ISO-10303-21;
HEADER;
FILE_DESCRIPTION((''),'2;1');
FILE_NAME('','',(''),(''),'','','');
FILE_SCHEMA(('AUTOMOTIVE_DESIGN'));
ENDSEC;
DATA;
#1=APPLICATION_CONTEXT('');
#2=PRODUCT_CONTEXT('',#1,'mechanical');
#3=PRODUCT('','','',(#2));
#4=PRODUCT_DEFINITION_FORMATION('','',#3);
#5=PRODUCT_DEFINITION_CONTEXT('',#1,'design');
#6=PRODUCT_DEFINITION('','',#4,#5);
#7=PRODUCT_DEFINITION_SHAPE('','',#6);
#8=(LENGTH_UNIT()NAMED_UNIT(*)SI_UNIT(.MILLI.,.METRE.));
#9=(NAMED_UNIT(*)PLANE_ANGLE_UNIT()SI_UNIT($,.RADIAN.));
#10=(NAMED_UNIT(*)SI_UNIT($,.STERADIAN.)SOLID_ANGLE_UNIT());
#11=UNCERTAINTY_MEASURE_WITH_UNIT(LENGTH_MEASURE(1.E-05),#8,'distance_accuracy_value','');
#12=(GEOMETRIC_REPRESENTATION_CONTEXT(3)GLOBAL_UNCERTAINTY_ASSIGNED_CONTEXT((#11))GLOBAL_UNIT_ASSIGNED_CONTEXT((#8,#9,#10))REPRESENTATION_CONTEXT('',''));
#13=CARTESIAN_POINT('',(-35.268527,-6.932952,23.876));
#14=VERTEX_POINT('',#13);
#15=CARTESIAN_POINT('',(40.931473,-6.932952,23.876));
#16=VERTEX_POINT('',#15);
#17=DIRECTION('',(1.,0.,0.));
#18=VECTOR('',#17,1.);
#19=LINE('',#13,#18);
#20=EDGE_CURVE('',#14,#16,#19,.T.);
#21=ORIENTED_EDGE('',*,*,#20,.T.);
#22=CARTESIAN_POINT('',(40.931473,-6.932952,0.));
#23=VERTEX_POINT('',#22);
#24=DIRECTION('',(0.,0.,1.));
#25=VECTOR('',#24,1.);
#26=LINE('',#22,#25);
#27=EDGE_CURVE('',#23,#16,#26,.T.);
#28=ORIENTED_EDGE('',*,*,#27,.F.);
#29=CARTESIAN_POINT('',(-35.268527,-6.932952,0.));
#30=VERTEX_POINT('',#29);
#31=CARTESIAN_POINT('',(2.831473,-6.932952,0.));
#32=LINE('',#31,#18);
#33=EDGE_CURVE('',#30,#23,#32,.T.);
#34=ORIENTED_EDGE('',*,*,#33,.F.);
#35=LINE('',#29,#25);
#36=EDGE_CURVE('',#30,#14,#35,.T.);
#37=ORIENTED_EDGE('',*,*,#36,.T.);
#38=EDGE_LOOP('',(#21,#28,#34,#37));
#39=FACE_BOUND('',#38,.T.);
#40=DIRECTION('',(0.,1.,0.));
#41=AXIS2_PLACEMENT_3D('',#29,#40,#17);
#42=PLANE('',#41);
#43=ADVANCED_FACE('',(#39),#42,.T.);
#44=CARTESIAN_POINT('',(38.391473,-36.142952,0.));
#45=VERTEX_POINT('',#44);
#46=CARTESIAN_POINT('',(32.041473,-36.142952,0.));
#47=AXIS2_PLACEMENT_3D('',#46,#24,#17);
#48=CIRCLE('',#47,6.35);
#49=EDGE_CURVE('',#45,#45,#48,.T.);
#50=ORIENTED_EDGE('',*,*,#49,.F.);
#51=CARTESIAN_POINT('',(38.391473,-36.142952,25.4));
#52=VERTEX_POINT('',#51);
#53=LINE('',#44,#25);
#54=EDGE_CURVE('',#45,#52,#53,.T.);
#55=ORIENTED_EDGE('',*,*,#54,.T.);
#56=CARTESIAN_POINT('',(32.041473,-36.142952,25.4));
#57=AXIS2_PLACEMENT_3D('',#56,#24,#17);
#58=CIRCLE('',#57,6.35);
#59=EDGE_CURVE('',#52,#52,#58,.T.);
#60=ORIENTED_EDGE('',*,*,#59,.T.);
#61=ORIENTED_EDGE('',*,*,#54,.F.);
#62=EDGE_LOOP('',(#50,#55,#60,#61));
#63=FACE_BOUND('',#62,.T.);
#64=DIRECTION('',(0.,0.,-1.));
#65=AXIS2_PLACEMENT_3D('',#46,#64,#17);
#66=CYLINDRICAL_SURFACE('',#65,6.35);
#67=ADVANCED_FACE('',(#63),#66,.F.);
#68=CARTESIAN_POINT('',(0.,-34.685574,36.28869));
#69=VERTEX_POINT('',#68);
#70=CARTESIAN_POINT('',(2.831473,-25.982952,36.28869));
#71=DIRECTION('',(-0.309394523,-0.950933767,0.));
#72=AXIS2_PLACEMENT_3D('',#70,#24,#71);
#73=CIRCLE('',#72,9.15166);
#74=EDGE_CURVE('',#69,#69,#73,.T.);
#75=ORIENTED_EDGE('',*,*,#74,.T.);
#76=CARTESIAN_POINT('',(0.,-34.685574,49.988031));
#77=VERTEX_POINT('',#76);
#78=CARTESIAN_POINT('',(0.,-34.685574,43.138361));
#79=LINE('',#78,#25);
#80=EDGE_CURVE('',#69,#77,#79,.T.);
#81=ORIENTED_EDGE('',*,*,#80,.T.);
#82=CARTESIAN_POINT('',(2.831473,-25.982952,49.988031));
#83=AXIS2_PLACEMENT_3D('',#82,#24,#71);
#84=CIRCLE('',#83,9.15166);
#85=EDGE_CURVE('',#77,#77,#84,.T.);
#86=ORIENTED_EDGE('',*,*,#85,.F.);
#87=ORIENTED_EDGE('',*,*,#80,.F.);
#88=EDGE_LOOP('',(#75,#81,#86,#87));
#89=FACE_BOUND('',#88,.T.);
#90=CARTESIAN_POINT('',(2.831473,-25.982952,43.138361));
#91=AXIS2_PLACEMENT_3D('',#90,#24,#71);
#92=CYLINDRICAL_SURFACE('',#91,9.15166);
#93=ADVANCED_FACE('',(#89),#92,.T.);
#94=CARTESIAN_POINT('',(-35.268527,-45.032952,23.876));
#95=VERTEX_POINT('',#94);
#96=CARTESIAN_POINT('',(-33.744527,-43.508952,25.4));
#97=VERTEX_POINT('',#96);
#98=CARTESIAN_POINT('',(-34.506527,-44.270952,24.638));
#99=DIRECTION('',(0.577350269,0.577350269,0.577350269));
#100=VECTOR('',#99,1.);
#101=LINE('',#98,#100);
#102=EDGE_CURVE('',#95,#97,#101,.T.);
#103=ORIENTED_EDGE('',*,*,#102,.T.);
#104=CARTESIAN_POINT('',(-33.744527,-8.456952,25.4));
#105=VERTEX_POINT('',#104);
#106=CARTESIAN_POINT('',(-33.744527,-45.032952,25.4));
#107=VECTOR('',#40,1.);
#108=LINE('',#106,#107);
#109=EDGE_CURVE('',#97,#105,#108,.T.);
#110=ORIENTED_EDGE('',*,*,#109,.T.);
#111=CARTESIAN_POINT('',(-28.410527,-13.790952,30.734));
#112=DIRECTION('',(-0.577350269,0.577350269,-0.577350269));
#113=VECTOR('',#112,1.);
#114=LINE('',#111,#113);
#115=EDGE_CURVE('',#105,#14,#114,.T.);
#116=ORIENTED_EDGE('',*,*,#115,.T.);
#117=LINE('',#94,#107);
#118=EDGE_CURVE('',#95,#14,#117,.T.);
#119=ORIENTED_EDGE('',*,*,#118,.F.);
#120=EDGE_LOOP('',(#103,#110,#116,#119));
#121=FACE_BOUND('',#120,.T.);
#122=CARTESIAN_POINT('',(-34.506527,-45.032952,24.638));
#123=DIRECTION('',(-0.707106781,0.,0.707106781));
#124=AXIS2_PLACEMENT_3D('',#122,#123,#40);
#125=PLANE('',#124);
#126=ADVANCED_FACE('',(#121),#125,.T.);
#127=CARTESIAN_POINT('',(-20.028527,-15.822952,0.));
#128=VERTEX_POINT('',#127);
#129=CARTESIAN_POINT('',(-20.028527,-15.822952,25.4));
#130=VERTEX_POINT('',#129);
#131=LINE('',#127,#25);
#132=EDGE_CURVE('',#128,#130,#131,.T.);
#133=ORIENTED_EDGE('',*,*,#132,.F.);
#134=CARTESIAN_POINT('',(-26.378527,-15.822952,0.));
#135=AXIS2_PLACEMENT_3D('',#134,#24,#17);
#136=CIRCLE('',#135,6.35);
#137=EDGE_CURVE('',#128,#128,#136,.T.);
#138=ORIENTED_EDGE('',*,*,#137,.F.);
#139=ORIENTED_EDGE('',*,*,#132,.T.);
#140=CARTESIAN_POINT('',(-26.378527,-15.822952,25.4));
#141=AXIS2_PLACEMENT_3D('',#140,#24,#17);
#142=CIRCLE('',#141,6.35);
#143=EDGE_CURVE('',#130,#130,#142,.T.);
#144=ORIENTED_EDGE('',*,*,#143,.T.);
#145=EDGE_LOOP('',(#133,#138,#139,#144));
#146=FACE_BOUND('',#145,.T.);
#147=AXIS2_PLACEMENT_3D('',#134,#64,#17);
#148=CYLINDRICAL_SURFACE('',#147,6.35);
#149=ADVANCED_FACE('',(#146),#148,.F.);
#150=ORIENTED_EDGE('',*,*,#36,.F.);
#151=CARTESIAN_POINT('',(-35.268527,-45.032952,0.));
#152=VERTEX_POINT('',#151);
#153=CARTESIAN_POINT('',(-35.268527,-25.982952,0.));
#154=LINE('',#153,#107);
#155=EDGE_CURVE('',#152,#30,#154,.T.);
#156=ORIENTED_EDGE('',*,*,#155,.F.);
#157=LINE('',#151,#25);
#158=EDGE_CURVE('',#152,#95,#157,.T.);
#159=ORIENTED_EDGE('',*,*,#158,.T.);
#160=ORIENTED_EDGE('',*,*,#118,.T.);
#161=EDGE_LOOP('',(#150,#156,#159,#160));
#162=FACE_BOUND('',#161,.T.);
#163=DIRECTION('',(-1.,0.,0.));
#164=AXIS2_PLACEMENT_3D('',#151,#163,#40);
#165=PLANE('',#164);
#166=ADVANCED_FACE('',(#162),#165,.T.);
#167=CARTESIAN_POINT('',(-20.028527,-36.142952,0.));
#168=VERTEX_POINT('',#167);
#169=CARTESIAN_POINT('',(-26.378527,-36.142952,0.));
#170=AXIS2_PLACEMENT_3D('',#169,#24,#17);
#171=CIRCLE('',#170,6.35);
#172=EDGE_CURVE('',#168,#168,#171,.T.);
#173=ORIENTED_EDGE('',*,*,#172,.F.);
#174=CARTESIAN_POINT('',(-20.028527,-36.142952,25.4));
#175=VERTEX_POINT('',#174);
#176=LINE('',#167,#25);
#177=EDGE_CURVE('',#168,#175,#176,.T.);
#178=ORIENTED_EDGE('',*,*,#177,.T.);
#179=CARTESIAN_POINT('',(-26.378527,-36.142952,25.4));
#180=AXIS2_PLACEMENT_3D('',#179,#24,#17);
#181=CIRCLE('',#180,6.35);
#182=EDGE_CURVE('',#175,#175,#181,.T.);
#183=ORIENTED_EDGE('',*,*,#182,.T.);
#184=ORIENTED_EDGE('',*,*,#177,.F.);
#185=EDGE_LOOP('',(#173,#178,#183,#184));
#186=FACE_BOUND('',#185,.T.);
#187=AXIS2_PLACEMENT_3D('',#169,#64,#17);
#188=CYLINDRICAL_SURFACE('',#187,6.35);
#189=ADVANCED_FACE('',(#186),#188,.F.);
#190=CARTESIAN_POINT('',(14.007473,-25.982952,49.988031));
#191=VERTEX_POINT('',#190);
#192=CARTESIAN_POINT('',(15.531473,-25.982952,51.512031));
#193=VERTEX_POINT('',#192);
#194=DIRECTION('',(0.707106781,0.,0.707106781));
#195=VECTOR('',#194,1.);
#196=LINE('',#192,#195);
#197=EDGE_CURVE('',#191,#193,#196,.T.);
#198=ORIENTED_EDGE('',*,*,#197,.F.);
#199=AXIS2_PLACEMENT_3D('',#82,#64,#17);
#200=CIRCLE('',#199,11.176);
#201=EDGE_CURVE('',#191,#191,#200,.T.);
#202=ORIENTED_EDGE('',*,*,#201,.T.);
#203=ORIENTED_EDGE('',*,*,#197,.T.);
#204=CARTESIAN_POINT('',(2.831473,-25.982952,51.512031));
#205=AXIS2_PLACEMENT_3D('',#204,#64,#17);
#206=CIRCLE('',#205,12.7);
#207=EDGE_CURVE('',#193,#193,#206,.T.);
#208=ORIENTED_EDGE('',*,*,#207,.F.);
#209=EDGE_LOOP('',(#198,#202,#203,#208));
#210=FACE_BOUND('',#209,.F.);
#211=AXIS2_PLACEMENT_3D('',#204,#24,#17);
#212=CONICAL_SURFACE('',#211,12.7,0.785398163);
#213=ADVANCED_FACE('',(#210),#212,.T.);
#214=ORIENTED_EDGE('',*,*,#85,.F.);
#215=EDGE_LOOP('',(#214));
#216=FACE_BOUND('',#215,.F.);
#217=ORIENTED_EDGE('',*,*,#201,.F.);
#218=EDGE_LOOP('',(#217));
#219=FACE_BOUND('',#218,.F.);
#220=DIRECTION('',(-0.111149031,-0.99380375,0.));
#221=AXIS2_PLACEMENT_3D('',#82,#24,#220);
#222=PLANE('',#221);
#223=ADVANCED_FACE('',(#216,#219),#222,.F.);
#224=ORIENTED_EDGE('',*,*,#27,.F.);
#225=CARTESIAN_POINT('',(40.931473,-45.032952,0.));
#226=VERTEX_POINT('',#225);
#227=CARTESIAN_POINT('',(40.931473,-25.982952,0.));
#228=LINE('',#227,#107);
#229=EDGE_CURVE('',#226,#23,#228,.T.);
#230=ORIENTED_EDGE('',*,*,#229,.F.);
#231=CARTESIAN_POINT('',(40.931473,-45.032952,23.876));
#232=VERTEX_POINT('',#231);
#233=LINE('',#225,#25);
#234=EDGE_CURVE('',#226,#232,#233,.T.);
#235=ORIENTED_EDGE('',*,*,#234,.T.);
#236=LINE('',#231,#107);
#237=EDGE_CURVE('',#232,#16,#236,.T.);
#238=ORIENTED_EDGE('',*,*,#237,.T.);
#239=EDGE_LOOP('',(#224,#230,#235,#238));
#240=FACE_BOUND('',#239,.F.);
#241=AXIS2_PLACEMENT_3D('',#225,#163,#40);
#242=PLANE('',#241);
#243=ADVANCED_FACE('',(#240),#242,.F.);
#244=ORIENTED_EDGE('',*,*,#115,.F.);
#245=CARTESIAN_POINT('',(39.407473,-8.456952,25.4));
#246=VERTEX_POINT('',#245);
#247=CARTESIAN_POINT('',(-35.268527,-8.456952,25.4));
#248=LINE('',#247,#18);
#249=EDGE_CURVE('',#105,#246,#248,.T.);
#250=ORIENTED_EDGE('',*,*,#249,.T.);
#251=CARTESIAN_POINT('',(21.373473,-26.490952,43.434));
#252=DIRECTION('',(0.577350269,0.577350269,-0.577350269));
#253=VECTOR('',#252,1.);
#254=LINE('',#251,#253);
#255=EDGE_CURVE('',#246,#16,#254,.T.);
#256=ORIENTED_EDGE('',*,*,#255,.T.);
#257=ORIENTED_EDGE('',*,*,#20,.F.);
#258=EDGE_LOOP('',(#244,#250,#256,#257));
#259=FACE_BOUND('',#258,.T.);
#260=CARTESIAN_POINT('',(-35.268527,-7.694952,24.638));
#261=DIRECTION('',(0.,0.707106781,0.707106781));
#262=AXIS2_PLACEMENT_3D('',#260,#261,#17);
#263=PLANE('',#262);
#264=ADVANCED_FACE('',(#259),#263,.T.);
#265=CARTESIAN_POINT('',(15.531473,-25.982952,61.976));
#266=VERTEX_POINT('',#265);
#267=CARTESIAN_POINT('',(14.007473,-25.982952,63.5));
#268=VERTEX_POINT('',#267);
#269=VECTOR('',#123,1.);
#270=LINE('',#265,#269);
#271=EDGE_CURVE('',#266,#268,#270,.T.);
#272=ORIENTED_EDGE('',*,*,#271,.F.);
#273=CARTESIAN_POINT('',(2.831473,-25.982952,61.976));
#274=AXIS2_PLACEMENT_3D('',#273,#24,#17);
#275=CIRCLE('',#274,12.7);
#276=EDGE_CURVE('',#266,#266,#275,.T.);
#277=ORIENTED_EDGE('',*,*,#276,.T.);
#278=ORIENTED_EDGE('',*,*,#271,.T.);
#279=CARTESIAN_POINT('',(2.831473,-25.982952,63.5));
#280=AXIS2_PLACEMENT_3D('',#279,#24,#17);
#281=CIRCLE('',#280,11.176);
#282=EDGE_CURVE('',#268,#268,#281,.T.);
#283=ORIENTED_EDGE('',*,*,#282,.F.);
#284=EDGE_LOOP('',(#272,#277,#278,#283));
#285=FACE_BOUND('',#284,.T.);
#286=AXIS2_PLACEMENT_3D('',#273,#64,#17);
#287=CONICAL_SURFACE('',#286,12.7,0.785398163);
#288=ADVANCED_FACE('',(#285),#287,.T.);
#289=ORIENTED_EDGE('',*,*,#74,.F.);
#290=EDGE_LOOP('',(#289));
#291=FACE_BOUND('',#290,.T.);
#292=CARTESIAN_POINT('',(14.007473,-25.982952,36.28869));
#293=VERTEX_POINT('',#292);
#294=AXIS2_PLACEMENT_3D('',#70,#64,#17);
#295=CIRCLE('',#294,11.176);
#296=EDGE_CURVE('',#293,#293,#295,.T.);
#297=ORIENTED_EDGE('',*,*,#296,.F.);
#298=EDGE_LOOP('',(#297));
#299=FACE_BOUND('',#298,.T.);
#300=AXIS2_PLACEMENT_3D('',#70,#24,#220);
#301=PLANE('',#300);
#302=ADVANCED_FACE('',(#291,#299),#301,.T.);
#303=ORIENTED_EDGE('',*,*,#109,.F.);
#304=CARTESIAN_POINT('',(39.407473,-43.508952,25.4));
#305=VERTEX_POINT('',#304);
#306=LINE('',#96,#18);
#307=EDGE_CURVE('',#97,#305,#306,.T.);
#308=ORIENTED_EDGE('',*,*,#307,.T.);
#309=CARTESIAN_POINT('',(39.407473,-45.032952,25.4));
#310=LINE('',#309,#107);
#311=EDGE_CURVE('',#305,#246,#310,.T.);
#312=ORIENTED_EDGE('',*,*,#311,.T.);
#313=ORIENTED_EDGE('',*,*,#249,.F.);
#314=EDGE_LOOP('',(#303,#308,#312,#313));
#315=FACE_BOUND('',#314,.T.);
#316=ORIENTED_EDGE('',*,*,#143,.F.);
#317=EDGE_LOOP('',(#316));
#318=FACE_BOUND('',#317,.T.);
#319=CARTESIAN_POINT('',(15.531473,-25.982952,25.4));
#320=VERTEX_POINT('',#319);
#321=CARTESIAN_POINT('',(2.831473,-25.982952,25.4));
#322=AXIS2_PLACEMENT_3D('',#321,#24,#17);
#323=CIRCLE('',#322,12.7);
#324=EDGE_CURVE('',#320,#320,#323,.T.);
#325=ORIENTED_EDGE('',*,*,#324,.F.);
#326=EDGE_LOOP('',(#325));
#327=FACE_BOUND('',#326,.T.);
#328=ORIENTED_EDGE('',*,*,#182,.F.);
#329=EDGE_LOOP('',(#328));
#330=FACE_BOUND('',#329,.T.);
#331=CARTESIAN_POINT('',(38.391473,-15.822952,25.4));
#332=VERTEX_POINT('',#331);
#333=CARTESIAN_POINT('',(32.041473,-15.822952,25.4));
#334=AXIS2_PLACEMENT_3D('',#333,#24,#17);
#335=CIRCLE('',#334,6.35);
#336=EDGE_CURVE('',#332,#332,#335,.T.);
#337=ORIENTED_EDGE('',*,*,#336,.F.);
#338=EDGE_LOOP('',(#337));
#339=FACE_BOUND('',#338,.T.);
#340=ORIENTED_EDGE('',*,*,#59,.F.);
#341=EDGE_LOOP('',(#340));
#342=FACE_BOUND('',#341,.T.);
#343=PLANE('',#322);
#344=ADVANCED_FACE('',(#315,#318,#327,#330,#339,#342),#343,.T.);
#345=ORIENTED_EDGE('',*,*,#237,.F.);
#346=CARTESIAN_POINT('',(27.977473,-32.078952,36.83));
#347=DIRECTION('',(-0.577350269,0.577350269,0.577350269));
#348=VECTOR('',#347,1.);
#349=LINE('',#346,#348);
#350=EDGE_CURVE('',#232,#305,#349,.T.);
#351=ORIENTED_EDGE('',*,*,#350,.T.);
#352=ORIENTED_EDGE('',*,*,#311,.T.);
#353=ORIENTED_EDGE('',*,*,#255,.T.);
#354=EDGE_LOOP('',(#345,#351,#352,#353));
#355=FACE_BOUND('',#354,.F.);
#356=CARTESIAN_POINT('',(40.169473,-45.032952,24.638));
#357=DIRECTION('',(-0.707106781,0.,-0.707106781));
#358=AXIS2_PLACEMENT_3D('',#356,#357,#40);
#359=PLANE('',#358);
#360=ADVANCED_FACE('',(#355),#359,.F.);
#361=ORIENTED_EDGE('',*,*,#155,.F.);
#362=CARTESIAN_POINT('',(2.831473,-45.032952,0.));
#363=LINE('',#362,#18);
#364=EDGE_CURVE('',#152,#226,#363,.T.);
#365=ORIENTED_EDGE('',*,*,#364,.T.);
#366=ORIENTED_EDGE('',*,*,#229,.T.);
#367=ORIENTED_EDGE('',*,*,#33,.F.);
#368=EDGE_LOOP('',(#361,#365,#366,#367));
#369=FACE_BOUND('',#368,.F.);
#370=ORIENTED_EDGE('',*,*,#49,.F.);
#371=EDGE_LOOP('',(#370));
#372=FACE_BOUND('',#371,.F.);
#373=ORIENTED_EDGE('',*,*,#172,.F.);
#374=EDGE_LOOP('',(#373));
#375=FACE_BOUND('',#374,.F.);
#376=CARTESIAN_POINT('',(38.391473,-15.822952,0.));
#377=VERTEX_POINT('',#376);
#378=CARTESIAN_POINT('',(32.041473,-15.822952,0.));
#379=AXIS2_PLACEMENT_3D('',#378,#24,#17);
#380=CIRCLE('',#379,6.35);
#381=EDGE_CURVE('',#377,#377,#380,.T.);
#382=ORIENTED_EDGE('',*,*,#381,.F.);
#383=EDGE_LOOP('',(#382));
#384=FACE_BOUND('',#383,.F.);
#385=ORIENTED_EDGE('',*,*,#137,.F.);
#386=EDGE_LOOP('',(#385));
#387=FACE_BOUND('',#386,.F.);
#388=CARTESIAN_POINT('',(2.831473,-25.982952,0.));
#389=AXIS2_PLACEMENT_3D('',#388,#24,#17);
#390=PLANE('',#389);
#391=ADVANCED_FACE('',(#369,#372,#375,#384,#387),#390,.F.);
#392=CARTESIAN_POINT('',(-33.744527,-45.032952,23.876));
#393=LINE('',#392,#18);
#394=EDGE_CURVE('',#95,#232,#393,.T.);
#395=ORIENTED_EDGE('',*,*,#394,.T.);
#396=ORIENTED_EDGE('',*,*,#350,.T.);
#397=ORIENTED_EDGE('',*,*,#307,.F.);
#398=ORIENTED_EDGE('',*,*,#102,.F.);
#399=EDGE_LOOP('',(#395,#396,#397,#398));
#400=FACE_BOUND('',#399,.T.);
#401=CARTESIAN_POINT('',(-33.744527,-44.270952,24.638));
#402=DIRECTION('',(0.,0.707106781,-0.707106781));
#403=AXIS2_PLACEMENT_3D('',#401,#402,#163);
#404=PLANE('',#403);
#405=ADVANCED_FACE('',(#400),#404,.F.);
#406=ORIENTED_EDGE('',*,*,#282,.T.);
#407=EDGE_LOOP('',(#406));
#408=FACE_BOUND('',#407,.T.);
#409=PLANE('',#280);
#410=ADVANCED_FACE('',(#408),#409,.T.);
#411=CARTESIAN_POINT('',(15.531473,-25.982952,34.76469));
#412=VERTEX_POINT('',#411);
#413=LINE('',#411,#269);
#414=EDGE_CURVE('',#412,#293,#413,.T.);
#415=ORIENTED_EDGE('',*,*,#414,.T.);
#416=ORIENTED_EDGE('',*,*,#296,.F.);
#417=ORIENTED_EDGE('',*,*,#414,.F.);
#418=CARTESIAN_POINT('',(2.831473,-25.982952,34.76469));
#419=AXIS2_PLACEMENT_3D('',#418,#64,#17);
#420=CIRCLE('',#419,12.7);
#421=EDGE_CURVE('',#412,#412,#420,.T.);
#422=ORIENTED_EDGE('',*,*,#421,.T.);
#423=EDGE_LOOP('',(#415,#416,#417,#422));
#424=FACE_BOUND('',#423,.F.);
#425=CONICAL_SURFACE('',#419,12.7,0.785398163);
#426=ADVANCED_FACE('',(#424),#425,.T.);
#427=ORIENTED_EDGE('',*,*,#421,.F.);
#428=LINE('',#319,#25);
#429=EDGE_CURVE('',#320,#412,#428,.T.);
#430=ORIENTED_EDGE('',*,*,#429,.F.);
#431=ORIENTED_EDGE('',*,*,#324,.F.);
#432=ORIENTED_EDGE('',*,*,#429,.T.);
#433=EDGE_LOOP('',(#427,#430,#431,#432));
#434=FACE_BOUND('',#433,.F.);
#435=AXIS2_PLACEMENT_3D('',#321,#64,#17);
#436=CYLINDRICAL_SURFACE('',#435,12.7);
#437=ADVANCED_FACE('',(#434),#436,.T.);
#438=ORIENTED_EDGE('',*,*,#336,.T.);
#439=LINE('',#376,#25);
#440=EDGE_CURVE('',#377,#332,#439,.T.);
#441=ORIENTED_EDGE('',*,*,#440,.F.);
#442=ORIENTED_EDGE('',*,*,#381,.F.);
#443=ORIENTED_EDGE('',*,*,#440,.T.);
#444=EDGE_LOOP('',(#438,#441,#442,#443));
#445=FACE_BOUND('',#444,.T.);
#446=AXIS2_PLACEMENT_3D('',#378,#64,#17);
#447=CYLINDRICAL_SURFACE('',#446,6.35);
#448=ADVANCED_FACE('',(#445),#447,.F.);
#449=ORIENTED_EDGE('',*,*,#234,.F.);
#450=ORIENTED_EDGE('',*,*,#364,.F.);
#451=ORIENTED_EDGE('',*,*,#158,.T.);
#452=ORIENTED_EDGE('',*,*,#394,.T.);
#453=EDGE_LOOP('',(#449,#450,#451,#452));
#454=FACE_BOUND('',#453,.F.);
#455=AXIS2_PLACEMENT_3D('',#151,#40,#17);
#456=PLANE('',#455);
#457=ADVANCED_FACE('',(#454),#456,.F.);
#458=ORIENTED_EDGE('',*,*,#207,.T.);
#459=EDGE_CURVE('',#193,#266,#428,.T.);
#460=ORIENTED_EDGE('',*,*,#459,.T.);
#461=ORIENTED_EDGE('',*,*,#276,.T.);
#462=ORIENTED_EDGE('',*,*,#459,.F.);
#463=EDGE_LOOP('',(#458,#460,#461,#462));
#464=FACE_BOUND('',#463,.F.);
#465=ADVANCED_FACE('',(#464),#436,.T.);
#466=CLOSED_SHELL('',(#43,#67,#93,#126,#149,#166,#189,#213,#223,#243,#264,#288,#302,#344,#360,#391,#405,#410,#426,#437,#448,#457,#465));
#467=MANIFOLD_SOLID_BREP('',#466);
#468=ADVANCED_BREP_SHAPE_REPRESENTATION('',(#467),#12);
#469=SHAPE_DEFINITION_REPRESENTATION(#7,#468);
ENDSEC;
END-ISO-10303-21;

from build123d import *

# Parameters (mm, degrees)
F0_W     = 76.2
F0_H     = 38.1
F1_DEPTH = 25.4
F2_R     = 6.35
F3_DEPTH = 25.4
F4_DEPTH = 25.4
F5_R     = 12.7
F6_DEPTH = 38.1
F7_W     = 16.6140981019
F7_H     = 13.6993415654
F9_SIZE  = 1.524
F10_SIZE = 1.524
F11_SIZE = 1.524


with BuildPart() as f1:
    # F0 (on Top) → F1 (new body)
    with BuildSketch(Plane.XY):
        with Locations((2.8314734757, -25.9829519808)):
            Rectangle(F0_W, F0_H)
    extrude(amount=F1_DEPTH)

    # F2 (on Top) → F3 (cut)
    with BuildSketch(Plane.XY):
        with Locations((-26.3785265243, -15.8229519808)):
            Circle(F2_R)
    extrude(amount=F3_DEPTH, mode=Mode.SUBTRACT)

    # F2 (on Top) → F4 (cut)
    with BuildSketch(Plane.XY):
        with Locations((-26.3785265243, -15.8229519808)):
            Circle(F2_R)
        with Locations((-26.3785265243, -36.1429519808)):
            Circle(F2_R)
        with Locations((32.0414734757, -15.8229519808)):
            Circle(F2_R)
        with Locations((32.0414734757, -36.1429519808)):
            Circle(F2_R)
    extrude(amount=F4_DEPTH, mode=Mode.SUBTRACT)

    # F5 (on face) → F6 (join)
    with BuildSketch(Plane.XY.offset(25.4)):
        with Locations((2.8314734757, -25.9829519808)):
            Circle(F5_R)
    extrude(amount=F6_DEPTH)

    # F7 (on Right) → F8 (revolve, cut)
    with BuildSketch(Plane.YZ):
        with Locations((-42.9926235229, 43.1383606046)):
            Rectangle(F7_W, F7_H)
    revolve(axis=Axis((2.8314734757, -25.9829519808, 63.5), (0, 0, 1)), mode=Mode.SUBTRACT)

    # F9
    f9_edges = [f1.edges().sort_by_distance(p)[0] for p in [
        (40.931473, -25.982952, 25.4),
    ]]
    chamfer(f9_edges, length=F9_SIZE)

    # F10
    f10_edges = [f1.edges().sort_by_distance(p)[0] for p in [
        (2.069473, -6.932952, 25.4),
        (-35.268527, -25.982952, 25.4),
    ]]
    chamfer(f10_edges, length=F10_SIZE)

    # F11
    f11_edges = [f1.edges().sort_by_distance(p)[0] for p in [
        (2.831473, -45.032952, 25.4),
        (-9.868527, -25.982952, 36.28869),
        (-9.868527, -25.982952, 49.988031),
        (-9.868527, -25.982952, 63.5),
    ]]
    chamfer(f11_edges, length=F11_SIZE)


solid = f1.part
